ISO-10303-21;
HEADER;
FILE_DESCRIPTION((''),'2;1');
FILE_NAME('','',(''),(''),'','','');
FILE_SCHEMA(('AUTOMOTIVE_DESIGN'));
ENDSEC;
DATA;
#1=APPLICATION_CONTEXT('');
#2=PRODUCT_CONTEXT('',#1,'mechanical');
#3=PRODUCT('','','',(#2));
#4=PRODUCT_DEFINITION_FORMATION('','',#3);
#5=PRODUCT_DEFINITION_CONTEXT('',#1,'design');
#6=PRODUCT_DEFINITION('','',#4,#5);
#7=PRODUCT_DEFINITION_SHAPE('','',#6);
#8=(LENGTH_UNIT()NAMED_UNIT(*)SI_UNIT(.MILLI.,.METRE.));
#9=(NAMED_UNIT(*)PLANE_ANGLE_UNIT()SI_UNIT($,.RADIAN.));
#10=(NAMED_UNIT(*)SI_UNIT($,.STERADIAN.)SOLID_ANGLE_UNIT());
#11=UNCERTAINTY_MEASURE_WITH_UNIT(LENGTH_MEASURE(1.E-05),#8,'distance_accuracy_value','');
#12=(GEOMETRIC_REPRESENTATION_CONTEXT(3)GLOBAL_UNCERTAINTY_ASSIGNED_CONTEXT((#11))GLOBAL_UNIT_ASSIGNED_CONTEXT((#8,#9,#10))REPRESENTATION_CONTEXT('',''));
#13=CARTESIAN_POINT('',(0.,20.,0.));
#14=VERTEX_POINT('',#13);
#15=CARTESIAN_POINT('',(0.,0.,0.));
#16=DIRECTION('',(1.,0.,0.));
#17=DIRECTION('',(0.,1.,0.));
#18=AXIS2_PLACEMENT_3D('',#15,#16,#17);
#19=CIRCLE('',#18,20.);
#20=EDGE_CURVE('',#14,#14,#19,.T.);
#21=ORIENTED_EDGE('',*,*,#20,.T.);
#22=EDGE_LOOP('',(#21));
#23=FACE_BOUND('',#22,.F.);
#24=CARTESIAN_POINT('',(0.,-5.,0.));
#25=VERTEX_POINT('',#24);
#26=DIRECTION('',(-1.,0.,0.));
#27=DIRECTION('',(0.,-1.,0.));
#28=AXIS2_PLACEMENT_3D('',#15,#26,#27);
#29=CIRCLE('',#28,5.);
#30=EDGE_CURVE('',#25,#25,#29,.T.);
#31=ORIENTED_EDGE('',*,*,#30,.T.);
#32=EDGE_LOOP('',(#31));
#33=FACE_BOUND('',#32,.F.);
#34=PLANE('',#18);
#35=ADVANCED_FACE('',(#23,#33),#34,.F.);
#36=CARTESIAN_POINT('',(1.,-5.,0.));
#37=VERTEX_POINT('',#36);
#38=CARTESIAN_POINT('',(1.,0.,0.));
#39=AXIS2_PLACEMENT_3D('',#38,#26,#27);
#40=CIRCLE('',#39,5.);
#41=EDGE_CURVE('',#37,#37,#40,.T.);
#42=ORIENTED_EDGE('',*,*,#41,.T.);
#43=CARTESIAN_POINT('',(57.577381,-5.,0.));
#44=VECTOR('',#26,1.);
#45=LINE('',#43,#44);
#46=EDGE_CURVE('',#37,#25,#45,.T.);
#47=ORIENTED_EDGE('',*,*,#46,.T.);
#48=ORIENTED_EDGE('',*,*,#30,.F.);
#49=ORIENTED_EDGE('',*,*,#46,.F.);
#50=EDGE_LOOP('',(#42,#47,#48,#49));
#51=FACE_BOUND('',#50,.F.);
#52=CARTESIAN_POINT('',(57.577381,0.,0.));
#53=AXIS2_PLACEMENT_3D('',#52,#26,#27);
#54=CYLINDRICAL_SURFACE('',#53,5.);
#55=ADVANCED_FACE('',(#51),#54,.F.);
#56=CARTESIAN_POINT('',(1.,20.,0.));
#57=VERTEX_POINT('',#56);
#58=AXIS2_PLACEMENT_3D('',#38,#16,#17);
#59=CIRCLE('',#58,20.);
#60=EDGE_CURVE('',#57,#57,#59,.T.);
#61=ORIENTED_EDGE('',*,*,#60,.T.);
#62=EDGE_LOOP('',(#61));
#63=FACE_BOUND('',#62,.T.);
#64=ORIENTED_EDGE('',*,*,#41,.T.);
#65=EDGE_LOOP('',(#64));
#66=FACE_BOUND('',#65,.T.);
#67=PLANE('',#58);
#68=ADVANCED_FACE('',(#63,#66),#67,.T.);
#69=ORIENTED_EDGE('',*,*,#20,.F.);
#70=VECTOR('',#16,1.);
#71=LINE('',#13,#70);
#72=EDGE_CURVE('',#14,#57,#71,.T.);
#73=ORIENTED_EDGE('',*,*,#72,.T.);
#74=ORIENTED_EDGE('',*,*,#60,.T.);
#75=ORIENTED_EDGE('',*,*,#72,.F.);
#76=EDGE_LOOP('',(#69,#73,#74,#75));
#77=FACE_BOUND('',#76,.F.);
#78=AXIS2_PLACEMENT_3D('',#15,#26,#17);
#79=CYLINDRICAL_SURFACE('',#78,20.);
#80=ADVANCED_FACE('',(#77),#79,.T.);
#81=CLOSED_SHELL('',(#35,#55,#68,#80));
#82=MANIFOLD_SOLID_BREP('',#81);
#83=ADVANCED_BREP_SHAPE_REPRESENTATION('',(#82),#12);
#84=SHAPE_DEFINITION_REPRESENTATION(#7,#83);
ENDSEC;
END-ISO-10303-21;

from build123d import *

# Parameters (mm, degrees)
F0_R     = 20
F1_DEPTH = 1
F3_D     = 10


with BuildPart() as f1:
    # F0 (on Right) → F1 (new body)
    with BuildSketch(Plane.YZ):
        Circle(F0_R)
    extrude(amount=F1_DEPTH)

    # F3 (through all)
    with Locations(Plane.YZ.offset(1)):
        with Locations((0, 0)):
            Hole(F3_D / 2)


solid = f1.part
